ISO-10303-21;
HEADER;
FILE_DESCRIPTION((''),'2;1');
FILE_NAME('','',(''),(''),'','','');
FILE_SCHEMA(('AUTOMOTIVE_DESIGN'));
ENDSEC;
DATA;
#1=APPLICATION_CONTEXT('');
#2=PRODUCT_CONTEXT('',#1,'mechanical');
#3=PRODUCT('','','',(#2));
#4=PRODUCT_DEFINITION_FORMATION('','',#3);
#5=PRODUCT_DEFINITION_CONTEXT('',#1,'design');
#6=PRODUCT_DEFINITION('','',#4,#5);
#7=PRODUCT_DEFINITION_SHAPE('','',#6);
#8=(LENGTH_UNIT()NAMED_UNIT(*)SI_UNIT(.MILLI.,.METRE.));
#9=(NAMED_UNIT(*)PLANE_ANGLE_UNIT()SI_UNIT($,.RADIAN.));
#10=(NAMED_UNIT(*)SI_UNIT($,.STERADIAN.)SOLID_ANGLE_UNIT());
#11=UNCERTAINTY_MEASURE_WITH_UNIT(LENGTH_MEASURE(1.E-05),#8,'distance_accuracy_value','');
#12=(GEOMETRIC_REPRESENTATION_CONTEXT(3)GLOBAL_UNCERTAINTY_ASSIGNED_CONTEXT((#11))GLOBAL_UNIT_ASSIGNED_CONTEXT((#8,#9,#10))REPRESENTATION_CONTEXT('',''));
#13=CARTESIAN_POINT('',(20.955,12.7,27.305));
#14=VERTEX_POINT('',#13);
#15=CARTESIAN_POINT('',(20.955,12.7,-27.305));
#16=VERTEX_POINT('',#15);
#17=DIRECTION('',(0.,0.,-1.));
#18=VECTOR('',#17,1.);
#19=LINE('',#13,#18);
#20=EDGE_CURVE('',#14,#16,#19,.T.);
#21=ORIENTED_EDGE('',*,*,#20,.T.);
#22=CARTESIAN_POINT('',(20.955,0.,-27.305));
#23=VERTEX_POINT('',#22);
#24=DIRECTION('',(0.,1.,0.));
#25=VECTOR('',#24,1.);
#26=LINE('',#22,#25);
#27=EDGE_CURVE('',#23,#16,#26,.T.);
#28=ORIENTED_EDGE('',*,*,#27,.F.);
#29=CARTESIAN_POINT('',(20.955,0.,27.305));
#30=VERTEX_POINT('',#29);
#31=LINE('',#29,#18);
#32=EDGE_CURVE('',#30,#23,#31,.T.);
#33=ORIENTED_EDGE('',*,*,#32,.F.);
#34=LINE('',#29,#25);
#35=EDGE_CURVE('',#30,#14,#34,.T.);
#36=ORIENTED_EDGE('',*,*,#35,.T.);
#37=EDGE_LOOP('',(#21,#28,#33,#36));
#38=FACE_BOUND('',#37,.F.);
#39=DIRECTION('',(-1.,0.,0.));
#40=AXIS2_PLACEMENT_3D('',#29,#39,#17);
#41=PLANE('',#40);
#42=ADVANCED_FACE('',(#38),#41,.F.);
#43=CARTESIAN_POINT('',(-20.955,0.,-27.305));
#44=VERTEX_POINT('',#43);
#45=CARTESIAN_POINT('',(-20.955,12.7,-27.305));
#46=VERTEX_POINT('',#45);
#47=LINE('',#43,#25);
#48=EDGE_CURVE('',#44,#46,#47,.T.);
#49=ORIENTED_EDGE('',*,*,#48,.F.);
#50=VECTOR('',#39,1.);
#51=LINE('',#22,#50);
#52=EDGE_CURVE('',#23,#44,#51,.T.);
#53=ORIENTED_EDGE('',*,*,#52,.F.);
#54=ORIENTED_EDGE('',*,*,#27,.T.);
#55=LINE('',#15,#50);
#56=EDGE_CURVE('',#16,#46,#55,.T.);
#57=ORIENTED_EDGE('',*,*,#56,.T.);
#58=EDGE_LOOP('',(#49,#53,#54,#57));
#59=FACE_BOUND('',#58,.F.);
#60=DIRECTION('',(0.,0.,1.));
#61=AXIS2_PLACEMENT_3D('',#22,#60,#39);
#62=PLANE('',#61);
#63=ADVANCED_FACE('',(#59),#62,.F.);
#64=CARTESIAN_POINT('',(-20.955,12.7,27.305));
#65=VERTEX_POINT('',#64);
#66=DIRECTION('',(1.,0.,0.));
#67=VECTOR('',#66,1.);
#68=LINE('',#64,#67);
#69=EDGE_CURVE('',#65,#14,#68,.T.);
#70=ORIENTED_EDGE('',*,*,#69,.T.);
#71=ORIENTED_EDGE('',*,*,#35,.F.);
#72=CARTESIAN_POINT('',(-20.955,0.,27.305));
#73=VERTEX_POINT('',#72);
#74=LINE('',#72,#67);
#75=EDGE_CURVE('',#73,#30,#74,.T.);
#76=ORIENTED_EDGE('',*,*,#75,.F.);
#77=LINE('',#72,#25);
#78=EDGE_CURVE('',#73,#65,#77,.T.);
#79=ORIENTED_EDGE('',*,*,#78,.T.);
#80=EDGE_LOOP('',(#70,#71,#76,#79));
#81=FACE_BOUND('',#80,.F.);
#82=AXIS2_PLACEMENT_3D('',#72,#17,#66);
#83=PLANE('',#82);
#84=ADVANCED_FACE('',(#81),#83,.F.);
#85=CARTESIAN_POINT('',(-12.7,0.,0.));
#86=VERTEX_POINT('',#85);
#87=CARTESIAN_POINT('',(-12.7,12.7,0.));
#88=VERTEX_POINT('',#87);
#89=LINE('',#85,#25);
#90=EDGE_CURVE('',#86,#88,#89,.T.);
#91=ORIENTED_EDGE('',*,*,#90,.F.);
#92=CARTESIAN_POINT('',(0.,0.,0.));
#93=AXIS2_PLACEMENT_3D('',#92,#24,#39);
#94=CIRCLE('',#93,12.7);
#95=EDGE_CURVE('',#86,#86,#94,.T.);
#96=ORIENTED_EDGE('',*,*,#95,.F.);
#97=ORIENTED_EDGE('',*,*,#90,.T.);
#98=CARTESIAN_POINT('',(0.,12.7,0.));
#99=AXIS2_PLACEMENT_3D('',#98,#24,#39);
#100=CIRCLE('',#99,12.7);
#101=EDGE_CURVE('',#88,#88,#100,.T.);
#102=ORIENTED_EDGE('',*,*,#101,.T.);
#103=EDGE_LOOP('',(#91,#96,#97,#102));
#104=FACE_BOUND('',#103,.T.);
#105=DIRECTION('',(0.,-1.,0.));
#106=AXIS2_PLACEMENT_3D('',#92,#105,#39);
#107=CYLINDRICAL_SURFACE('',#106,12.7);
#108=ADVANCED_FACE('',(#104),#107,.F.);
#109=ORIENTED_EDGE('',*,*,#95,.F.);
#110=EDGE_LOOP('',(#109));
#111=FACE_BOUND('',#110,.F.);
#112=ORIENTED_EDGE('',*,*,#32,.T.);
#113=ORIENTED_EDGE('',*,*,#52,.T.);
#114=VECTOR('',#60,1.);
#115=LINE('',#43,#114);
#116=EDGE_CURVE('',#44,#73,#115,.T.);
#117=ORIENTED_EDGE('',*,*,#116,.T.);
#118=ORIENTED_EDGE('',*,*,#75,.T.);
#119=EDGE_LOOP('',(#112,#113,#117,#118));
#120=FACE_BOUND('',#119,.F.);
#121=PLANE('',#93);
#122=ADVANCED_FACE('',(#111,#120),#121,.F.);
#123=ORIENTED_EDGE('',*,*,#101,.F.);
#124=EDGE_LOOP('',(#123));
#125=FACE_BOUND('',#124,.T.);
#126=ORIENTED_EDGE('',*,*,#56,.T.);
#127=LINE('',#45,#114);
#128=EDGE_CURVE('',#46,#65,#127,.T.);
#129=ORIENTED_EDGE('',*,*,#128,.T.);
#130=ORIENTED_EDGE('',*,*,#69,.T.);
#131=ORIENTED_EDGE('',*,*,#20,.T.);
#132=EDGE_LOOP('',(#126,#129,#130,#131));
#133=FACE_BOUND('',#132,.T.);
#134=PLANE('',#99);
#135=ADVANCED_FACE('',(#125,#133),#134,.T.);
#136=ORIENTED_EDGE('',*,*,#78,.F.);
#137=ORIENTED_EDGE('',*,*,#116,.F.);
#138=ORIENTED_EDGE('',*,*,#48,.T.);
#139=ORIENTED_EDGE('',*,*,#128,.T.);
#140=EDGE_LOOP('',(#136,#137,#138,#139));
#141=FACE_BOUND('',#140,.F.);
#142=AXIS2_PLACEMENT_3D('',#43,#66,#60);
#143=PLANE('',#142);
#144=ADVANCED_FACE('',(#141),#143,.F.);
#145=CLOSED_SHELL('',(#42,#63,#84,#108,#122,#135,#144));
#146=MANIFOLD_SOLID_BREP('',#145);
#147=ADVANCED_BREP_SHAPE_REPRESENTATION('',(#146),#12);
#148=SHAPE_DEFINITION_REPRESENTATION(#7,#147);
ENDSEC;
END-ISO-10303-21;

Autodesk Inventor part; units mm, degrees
ref_plane "YZ Plane" through (0, 0, 0) normal (1, 0, 0) x (0, 1, 0)
ref_plane "XZ Plane" through (0, 0, 0) normal (0, 1, 0) x (-1, 0, 0)
ref_plane "XY Plane" through (0, 0, 0) normal (0, 0, 1) x (1, 0, 0)
sketch "Sketch1" plane through (0, 0, 0) normal (0, 1, 0) x (-1, 0, 0)
  line L0 (-20.955, -27.305) -> (20.955, -27.305)
  line L1 (20.955, -27.305) -> (20.955, 27.305)
  line L2 (20.955, 27.305) -> (-20.955, 27.305)
  line L3 (-20.955, 27.305) -> (-20.955, -27.305)
  line L4 (-20.955, -27.305) -> (20.955, 27.305) construction
  line L5 (20.955, -27.305) -> (-20.955, 27.305) construction
  circle A0 centre (0, 0) radius 12.7
  dimension "d0" = 54.61
  dimension "d1" = 41.91
  dimension "d2" = 25.4
extrude "Extrusion1" add sketch "Sketch1" along normal blind 12.7
properties part number "Fixture_Airpot_Support_3"
